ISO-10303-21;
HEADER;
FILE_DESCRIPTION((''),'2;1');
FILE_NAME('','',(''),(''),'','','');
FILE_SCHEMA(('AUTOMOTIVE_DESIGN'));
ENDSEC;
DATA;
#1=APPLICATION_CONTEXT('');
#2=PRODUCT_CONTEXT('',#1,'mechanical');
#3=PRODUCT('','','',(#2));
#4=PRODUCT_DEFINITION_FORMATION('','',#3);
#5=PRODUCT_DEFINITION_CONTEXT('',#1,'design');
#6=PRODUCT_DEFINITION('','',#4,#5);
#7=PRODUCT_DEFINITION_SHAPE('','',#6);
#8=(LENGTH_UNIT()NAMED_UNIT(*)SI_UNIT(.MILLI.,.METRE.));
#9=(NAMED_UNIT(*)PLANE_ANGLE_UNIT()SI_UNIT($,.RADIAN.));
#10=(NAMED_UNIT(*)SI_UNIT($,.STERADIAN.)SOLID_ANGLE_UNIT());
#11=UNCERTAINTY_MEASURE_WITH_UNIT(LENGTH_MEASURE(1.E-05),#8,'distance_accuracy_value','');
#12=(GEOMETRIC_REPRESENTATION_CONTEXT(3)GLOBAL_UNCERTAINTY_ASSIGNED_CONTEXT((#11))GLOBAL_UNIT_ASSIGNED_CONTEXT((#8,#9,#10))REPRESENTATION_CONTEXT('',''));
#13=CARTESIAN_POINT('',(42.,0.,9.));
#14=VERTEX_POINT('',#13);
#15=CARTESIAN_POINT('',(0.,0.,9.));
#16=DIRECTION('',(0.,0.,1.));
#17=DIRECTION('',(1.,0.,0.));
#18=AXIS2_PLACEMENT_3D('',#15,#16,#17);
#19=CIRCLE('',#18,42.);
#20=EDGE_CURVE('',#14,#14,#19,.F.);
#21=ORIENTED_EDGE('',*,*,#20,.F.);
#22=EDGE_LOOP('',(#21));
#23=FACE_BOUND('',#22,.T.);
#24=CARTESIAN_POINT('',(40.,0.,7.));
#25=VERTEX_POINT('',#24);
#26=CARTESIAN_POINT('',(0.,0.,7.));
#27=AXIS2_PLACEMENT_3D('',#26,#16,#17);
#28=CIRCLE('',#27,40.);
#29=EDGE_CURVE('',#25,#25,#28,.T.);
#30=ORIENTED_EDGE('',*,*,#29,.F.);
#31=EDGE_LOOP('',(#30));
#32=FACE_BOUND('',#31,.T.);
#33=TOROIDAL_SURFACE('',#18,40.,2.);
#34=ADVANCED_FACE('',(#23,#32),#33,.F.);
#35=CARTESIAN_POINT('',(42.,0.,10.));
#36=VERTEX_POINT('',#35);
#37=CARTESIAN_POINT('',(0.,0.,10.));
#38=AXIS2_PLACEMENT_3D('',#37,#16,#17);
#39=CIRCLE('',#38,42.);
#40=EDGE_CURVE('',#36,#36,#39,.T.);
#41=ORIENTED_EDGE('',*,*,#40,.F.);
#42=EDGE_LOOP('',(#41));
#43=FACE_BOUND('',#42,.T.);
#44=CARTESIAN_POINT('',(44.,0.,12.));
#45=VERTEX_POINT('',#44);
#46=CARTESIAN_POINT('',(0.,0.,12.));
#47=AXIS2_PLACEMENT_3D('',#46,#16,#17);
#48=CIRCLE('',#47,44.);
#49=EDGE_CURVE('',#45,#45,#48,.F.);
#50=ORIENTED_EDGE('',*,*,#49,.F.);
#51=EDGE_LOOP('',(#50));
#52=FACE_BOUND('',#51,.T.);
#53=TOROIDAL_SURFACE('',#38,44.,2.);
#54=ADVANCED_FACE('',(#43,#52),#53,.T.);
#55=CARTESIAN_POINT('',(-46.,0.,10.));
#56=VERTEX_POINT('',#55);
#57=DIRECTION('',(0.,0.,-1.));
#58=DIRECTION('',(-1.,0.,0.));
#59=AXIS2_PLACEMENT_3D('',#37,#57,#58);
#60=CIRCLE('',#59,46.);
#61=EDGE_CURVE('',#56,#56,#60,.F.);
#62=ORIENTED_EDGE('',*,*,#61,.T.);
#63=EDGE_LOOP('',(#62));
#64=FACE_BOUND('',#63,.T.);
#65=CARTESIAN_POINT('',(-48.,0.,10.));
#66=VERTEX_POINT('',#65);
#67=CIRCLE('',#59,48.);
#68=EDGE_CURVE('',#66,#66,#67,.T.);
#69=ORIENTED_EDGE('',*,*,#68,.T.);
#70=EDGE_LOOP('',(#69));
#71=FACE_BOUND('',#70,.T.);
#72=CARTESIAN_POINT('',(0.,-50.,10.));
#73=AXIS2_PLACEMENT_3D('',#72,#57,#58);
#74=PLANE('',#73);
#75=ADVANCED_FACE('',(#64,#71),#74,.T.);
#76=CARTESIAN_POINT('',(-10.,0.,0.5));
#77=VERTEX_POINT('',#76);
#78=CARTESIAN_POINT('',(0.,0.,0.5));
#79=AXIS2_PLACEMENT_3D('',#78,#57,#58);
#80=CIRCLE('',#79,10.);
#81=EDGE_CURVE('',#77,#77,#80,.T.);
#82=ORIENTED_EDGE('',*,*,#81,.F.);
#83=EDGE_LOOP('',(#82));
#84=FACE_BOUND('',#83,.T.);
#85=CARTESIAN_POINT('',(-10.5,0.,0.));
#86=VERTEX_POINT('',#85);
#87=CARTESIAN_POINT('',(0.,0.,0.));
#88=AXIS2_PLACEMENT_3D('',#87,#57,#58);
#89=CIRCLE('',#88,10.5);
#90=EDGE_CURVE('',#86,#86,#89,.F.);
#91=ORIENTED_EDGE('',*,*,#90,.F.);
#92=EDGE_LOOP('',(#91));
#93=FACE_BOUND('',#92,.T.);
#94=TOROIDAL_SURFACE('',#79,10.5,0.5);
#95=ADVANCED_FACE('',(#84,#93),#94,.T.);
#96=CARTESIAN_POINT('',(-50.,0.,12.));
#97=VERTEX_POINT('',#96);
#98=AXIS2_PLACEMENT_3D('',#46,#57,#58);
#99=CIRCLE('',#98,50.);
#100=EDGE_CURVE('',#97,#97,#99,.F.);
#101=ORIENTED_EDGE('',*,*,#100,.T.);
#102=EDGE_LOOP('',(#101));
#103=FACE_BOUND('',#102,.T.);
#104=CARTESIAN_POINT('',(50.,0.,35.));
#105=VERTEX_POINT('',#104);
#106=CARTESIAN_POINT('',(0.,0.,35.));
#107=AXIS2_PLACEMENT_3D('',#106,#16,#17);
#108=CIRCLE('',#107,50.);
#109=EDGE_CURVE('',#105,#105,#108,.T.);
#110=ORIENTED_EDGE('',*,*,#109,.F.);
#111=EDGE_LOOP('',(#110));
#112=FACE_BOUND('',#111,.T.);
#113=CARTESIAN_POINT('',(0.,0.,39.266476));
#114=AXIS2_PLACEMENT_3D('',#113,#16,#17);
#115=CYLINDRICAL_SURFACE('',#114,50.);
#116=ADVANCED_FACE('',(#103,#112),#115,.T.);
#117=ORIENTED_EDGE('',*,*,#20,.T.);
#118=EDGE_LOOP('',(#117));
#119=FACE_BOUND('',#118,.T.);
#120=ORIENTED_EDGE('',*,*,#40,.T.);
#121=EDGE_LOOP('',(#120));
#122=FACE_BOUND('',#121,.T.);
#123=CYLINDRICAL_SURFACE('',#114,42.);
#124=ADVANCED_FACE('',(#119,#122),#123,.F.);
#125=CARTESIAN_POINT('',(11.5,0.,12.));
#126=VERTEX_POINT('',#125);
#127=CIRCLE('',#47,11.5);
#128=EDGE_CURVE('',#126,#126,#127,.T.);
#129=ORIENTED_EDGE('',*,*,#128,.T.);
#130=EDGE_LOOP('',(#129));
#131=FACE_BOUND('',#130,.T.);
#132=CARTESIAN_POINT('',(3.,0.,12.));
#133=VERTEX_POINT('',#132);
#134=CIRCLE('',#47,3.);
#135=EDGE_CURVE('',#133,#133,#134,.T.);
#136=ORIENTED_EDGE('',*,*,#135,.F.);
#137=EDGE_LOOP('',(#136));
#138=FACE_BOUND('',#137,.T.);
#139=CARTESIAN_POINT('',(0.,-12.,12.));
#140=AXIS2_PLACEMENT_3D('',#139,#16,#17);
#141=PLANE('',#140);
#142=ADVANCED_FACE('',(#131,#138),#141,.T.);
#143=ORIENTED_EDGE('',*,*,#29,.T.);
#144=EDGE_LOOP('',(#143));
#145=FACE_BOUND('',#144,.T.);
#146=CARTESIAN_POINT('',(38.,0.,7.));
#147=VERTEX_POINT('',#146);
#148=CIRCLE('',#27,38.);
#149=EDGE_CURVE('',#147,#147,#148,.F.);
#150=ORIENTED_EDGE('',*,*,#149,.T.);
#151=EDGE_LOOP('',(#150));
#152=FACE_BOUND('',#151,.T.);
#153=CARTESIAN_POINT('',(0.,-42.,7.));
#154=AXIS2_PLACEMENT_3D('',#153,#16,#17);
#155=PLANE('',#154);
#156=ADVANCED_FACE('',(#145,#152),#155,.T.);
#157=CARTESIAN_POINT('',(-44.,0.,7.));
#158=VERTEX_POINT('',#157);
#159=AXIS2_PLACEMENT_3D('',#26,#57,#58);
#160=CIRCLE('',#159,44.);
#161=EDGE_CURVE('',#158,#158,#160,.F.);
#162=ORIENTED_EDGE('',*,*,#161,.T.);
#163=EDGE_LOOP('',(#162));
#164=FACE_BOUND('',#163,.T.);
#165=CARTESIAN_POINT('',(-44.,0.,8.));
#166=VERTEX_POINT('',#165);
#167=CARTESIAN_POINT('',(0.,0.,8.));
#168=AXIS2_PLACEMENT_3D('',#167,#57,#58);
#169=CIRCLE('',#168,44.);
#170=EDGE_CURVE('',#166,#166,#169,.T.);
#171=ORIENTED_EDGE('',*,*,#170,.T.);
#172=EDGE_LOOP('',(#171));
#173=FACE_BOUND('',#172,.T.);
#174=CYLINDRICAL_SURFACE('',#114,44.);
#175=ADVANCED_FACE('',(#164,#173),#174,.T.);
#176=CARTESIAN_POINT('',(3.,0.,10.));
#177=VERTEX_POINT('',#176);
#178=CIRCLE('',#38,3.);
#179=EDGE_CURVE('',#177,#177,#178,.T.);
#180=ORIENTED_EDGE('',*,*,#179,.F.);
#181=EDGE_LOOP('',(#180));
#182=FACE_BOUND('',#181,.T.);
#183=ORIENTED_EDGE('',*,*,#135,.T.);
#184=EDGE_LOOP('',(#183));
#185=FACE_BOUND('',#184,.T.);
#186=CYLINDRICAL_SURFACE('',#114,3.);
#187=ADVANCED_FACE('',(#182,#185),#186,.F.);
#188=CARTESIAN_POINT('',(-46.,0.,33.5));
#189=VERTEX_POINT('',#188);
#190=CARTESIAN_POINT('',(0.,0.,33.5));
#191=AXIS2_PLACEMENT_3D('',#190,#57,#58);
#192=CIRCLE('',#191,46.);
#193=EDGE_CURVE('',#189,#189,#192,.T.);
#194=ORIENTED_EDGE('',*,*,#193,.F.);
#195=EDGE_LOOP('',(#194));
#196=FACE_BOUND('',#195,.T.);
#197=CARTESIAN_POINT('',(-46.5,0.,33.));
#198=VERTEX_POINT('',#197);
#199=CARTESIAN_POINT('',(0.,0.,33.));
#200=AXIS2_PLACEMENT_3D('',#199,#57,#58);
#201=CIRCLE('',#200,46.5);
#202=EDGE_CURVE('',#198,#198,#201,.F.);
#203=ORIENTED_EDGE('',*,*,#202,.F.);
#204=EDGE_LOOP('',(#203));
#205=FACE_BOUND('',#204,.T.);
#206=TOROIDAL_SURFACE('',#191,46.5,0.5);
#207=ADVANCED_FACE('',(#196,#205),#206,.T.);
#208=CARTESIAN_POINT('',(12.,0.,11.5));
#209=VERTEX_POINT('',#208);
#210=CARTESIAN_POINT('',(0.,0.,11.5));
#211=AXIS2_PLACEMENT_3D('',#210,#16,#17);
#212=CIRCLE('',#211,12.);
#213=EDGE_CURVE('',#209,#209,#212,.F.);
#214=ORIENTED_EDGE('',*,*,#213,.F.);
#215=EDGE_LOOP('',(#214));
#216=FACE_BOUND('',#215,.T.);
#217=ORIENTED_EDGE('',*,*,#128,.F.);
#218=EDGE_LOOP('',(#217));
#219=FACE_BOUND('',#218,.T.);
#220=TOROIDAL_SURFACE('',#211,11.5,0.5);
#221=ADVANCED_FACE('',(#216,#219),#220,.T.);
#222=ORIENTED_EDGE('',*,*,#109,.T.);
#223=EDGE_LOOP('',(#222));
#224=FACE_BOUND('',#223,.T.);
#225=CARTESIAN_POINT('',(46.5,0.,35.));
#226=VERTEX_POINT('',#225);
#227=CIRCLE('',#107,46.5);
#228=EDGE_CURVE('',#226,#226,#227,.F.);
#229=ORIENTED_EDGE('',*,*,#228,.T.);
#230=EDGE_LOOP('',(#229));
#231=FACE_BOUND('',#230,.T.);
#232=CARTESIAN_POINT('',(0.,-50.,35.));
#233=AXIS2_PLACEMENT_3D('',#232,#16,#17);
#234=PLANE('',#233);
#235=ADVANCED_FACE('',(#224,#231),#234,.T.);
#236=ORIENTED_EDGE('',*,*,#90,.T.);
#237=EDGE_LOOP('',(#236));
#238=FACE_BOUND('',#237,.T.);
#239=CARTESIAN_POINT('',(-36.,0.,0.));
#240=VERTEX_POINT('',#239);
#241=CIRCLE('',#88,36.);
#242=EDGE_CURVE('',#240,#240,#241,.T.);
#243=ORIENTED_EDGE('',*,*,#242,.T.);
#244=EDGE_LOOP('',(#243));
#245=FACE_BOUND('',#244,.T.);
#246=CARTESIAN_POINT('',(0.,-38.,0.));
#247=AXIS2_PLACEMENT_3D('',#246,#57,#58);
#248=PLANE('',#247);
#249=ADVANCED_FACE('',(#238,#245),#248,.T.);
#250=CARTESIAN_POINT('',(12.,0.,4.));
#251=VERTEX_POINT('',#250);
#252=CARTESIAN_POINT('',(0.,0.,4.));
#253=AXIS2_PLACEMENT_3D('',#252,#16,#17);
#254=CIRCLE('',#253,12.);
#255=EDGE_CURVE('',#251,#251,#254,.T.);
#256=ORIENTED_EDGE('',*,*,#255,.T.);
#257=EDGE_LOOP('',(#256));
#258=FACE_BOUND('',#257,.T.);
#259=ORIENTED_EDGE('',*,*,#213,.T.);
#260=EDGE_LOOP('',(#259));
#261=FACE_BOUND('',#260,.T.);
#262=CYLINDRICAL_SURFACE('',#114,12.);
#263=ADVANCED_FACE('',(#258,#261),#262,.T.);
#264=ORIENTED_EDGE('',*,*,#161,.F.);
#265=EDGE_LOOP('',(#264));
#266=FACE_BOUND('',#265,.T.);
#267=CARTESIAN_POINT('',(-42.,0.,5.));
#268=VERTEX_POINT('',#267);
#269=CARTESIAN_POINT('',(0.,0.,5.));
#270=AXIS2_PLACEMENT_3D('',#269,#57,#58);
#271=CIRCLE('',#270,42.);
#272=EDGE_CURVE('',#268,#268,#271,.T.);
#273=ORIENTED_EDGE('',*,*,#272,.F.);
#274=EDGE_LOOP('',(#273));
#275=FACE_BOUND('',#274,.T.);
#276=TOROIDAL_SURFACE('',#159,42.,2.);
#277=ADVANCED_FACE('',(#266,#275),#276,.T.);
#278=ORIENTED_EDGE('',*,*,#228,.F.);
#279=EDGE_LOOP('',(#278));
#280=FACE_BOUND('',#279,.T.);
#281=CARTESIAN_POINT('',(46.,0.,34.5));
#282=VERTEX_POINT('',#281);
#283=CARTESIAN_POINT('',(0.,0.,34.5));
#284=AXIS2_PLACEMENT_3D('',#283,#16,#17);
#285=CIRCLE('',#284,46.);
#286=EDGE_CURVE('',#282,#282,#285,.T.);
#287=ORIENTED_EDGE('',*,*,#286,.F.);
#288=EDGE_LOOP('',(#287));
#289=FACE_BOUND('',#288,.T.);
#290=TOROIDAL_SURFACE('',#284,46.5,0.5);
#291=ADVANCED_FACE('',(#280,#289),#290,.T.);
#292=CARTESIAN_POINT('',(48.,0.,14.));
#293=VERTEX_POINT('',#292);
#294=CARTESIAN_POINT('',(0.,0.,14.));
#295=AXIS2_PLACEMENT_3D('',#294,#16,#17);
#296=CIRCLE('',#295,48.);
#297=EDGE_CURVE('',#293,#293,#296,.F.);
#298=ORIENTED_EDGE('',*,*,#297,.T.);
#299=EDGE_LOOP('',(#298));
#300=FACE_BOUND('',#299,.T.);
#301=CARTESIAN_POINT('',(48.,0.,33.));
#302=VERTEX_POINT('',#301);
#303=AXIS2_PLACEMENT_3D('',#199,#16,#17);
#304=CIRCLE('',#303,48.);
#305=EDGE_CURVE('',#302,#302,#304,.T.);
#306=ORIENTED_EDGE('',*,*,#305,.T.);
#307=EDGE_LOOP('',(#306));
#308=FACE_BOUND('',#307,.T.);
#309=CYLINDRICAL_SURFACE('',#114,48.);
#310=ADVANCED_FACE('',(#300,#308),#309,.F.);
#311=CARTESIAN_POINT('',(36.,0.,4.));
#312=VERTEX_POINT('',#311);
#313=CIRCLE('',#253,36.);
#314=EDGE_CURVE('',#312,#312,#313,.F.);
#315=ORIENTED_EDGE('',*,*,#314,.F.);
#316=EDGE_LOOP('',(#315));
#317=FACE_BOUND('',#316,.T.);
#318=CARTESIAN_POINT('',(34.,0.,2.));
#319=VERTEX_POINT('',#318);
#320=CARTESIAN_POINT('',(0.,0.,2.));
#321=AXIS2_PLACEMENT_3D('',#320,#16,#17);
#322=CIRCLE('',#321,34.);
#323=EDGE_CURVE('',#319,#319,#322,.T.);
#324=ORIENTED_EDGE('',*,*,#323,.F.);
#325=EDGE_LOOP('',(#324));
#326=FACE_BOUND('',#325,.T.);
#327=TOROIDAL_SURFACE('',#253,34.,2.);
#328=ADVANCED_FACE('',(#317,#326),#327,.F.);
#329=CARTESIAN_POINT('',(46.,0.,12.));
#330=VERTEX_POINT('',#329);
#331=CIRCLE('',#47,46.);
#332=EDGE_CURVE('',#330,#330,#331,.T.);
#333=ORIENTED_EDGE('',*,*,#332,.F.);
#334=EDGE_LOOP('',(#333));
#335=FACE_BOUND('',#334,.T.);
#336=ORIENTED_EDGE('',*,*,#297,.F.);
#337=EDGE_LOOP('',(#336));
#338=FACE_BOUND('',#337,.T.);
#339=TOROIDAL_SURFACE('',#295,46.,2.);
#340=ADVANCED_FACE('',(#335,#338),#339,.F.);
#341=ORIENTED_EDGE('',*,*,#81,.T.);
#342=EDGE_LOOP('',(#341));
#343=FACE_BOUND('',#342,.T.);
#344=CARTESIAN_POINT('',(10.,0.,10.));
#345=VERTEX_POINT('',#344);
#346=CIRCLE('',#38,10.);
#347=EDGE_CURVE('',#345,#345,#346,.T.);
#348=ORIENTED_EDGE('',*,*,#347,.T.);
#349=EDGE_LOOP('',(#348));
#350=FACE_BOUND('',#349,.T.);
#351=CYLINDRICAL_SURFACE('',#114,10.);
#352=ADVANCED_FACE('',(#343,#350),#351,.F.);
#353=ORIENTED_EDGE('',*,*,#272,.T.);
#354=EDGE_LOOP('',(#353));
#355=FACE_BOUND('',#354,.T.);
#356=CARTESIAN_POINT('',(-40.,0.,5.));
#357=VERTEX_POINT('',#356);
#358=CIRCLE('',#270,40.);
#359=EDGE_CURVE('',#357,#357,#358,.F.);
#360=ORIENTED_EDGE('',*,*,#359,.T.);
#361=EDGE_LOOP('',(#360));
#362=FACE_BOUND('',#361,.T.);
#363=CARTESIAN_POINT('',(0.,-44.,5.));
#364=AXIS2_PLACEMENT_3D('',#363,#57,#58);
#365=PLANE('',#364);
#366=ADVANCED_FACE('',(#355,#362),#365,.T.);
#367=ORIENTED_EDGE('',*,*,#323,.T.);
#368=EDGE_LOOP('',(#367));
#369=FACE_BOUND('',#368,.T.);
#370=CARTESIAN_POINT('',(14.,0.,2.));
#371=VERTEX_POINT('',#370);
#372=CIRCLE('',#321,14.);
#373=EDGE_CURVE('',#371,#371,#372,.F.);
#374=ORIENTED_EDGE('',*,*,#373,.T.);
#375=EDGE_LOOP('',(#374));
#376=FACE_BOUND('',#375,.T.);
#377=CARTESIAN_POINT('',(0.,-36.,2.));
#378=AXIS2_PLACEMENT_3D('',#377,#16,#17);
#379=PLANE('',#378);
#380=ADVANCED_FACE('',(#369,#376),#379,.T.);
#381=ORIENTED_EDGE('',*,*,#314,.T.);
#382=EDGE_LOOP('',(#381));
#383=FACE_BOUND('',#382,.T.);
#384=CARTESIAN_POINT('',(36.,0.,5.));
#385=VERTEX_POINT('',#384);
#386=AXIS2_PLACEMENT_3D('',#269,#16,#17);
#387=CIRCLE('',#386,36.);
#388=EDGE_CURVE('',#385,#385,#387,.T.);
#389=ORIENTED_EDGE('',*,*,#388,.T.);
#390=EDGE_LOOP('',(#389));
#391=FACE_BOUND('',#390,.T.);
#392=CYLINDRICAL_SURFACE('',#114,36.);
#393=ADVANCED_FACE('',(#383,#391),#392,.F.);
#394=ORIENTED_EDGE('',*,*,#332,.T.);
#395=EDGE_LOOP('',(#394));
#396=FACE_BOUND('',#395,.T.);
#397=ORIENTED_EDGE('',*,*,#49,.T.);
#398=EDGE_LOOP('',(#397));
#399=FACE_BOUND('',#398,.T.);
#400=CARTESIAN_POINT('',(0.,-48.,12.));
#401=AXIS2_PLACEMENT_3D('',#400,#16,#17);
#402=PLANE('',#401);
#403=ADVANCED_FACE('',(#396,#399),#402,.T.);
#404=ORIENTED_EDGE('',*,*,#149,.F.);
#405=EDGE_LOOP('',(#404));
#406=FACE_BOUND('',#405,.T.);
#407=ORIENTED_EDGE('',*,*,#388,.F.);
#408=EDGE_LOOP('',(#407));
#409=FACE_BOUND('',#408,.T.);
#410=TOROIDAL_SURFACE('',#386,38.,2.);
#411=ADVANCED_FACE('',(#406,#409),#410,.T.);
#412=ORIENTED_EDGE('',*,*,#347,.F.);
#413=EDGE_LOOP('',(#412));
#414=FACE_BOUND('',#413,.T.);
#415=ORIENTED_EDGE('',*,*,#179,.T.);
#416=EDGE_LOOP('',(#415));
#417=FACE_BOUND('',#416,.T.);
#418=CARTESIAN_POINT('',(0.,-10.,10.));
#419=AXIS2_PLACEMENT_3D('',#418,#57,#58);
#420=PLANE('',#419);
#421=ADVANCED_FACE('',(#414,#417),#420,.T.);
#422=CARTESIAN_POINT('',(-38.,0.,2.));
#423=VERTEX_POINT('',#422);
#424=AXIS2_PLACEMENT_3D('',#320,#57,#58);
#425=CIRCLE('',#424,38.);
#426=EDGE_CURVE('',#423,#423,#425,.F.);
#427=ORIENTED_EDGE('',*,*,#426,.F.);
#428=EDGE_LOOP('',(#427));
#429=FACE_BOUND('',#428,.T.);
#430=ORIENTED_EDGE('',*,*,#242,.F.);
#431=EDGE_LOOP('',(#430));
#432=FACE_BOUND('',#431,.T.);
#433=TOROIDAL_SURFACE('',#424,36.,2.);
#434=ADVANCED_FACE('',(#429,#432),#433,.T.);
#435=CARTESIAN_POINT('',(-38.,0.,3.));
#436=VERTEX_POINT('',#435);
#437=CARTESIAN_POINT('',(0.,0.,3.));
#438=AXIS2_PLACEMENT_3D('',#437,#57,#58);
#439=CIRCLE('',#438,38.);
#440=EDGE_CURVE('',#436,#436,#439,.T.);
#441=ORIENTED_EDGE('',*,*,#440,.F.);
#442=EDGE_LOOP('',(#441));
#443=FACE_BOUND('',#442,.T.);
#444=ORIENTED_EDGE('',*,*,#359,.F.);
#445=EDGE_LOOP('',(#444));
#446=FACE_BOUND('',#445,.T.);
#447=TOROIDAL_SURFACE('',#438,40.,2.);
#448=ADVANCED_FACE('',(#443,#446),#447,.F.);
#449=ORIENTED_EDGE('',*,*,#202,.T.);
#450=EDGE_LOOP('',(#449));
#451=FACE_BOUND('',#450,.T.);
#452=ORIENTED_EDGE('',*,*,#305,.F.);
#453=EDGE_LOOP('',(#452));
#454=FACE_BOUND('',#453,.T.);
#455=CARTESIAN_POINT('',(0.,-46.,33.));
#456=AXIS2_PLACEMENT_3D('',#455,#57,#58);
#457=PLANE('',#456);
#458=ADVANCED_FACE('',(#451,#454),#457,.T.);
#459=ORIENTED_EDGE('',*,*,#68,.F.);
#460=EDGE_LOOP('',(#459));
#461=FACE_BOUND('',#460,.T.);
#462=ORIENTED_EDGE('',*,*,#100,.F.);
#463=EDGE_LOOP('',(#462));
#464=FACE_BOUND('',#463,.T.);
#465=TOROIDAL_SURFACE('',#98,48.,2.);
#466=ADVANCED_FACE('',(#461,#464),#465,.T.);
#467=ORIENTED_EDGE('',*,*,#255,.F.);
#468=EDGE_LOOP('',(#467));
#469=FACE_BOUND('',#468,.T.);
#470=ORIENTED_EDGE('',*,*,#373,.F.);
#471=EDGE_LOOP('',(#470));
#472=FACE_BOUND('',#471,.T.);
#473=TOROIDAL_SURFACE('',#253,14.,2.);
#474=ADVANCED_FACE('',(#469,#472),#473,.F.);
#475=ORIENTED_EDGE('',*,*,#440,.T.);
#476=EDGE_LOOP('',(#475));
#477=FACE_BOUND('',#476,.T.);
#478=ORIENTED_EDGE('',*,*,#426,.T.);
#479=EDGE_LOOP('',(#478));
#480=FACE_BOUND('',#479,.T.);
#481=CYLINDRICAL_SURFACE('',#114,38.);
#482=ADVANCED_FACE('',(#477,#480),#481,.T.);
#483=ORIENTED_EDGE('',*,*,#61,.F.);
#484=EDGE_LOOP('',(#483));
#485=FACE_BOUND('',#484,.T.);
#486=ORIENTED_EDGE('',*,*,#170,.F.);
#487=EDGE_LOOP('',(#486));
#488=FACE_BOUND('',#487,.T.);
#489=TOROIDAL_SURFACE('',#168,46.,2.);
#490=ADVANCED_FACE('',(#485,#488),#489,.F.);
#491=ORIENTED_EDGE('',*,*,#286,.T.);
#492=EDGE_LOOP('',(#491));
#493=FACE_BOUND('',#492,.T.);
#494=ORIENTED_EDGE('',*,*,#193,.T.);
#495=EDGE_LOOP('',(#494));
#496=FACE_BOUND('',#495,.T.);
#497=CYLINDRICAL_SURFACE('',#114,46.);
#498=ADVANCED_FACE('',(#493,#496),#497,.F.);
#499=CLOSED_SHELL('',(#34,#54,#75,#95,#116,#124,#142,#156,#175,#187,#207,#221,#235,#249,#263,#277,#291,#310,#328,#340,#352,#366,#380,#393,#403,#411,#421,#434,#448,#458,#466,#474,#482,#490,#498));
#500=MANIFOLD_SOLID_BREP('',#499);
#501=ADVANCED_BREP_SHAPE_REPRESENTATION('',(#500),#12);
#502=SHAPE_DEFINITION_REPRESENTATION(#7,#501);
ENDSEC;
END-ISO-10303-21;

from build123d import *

# Parameters (mm, degrees)
FILLET1_R = 2
FILLET2_R = 0.5


with BuildPart() as part:
    # Sketch1 → Revolve1 (revolve)
    with BuildSketch(Plane.YZ):
        Polygon((-50, 35), (-50, 10), (-44, 10), (-44, 5), (-38, 5), (-38, 0), (-10, 0), (-10, 10), (-3, 10), (-3, 12), (-12, 12), (-12, 2), (-36, 2), (-36, 7), (-42, 7), (-42, 12), (-48, 12), (-48, 33), (-46, 33), (-46, 35), align=None)
    revolve(axis=Axis((0, 0, 39.266475796), (0, 0, -1)))

    # Fillet1
    fillet1_edges = [part.edges().sort_by_distance(p)[0] for p in [
        (0, 50, 10),
        (0, 44, 10),
        (0, 44, 5),
        (0, 38, 5),
        (0, 38, 0),
        (0, 48, 12),
        (0, 42, 12),
        (0, 42, 7),
        (0, 36, 7),
        (0, 36, 2),
        (0, 12, 2),
    ]]
    fillet(fillet1_edges, radius=FILLET1_R)

    # Fillet2
    fillet2_edges = [part.edges().sort_by_distance(p)[0] for p in [
        (0, 12, 12),
        (0, 46, 35),
        (0, 46, 33),
        (0, 10, 0),
    ]]
    fillet(fillet2_edges, radius=FILLET2_R)


solid = part.part
